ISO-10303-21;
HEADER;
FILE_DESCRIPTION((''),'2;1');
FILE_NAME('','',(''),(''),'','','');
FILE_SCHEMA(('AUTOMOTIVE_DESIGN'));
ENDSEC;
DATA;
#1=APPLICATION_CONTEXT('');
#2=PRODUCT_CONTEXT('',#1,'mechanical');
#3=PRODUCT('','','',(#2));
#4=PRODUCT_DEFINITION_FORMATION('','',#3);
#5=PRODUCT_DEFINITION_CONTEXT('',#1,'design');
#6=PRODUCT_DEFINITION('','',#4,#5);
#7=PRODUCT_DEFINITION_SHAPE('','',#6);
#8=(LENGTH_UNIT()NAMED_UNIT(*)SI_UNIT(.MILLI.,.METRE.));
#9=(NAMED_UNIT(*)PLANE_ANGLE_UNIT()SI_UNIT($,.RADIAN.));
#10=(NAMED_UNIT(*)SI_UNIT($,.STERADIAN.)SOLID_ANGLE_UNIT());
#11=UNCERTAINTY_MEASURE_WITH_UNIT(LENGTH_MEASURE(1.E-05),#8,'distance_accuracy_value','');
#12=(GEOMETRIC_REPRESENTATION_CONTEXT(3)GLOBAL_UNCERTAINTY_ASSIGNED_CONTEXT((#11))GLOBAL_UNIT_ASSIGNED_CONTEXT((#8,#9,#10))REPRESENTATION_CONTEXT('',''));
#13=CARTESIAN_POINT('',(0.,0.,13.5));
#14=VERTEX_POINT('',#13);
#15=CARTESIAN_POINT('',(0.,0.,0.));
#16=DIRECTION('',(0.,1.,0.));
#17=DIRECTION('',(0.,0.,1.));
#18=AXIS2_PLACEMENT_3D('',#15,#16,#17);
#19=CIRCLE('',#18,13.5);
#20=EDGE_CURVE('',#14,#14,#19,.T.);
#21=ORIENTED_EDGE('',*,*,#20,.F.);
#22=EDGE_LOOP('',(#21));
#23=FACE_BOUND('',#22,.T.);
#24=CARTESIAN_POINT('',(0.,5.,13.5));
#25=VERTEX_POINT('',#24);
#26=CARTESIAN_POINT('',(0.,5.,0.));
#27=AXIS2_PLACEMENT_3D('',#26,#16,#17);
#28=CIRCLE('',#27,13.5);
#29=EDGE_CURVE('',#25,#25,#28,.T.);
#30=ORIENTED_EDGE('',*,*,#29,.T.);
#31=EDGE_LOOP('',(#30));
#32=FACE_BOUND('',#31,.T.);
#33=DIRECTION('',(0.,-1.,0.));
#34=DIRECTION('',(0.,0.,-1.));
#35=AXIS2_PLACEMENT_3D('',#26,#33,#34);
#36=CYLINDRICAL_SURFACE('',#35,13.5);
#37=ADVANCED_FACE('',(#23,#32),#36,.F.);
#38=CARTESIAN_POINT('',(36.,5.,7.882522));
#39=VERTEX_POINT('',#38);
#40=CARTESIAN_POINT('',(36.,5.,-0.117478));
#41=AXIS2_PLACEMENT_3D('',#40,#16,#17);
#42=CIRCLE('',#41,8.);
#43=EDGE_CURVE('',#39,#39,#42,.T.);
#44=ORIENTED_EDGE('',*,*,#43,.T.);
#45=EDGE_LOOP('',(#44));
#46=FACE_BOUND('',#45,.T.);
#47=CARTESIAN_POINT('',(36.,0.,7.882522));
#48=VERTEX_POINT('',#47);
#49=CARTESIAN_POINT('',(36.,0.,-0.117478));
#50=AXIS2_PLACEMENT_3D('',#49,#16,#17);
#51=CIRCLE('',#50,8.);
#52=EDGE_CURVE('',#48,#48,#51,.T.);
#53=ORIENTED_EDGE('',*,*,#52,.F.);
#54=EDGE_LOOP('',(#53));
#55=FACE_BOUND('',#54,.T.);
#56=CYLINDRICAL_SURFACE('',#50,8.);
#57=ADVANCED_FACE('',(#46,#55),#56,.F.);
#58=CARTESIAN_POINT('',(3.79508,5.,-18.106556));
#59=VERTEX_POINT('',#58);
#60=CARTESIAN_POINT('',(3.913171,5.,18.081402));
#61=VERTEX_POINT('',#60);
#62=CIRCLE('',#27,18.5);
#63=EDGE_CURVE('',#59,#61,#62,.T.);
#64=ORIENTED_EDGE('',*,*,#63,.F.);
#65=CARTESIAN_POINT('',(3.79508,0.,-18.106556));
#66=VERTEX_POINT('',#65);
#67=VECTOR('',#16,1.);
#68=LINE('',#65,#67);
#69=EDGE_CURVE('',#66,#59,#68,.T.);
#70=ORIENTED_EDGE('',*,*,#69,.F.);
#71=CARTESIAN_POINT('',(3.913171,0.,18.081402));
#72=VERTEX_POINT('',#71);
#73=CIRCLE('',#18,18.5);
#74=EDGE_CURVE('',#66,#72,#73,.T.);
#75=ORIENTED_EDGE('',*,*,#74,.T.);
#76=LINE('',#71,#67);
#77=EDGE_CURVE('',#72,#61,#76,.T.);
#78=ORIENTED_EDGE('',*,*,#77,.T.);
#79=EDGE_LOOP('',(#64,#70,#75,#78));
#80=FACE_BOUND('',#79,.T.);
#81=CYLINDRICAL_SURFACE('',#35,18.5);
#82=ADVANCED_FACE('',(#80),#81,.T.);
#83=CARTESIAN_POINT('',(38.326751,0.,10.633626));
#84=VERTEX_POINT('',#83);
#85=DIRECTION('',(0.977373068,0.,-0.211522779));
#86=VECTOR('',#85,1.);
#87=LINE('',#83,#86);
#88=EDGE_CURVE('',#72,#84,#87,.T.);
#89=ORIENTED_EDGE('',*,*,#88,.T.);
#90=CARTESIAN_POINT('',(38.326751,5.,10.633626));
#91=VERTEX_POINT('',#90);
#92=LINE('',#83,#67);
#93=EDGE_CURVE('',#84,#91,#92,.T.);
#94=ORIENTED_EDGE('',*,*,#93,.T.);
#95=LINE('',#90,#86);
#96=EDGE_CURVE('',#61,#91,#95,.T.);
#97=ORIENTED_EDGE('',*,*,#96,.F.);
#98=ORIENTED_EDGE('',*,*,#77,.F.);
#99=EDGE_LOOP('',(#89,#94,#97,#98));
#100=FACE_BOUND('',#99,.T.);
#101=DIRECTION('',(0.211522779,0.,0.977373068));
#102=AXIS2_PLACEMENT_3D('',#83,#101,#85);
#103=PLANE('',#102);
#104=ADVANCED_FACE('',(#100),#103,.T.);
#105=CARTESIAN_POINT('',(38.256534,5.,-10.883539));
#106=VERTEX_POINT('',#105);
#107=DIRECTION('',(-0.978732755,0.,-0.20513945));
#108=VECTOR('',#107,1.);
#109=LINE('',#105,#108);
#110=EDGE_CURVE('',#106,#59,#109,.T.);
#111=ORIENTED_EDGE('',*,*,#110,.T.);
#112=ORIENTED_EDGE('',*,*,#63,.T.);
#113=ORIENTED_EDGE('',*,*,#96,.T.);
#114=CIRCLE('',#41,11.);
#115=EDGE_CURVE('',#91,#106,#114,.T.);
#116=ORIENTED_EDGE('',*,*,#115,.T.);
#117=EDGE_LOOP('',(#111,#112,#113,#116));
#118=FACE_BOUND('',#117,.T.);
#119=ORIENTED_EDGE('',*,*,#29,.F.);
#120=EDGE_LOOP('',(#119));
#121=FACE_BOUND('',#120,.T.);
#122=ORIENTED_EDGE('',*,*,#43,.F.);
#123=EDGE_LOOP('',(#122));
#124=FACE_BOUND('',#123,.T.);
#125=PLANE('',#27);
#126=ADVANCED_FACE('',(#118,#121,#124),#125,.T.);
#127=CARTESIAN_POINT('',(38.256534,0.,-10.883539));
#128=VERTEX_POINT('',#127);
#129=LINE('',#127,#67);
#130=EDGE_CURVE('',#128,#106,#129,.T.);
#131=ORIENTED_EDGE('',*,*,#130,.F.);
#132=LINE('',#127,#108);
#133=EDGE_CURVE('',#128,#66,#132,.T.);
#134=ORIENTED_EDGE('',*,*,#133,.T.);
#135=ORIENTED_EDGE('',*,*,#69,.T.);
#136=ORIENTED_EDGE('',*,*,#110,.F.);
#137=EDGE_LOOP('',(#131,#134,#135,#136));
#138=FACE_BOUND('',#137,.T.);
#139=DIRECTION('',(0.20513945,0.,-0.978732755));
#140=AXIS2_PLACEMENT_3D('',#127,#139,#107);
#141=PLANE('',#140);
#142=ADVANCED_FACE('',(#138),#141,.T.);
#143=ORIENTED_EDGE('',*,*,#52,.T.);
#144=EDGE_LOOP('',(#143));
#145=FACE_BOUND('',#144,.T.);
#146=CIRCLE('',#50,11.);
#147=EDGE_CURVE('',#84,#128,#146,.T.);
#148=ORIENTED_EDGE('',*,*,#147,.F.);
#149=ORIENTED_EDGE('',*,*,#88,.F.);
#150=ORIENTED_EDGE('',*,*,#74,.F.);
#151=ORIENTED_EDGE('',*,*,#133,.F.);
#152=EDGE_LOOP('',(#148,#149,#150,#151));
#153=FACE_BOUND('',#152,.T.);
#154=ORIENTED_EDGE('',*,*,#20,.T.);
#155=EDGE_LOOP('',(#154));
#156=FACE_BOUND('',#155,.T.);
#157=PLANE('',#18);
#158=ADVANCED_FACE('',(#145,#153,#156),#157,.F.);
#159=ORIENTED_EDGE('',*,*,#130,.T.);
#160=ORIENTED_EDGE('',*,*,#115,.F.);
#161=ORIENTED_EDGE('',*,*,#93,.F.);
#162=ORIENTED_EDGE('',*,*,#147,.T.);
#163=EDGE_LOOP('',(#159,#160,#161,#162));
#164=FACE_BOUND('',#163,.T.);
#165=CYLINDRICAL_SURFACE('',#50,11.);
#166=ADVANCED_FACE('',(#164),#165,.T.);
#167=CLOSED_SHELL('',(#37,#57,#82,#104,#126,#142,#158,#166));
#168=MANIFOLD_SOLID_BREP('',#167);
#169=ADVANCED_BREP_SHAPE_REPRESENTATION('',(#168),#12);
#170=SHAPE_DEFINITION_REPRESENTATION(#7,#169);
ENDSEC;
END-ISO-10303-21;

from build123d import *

# Parameters (mm, degrees)
SKETCH2_R           = 18.5
SKETCH2_R_2         = 13.5
BOSS_EXTRUDE2_DEPTH = 5
BOSS_EXTRUDE3_DEPTH = 5
SKETCH4_R           = 11
BOSS_EXTRUDE4_DEPTH = 5
SKETCH5_R           = 8
CUT_EXTRUDE1_DEPTH  = 5
BOSS_EXTRUDE5_DEPTH = 5
BOSS_EXTRUDE6_DEPTH = 5


with BuildPart() as part:
    # Sketch2 → Boss-Extrude2 (new body)
    with BuildSketch(Plane(origin=(0, 0, 0), x_dir=(1, 0, 0), z_dir=(0, 1, 0))):
        with Locations(Location((0, 0, 0), (0, 0, 270))):
            Circle(SKETCH2_R)
        with Locations(Location((0, 0, 0), (0, 0, 270))):
            Circle(SKETCH2_R_2, mode=Mode.SUBTRACT)
    extrude(amount=BOSS_EXTRUDE2_DEPTH)

    # Sketch3 → Boss-Extrude3 (add)
    with BuildSketch(Plane(origin=(0, 5, 0), x_dir=(1, 0, 0), z_dir=(0, 1, 0))):
        Polygon((25.460427034, 3.126984488), (25.460427034, -2.892028048), (18.27255247, -2.892028048), (18.27255247, 2.892028048), align=None)
    extrude(amount=-BOSS_EXTRUDE3_DEPTH)

    # Sketch4 → Boss-Extrude4 (add)
    with BuildSketch(Plane(origin=(0, 5, 0), x_dir=(1, 0, 0), z_dir=(0, 1, 0))):
        with Locations((36, 0.11747822)):
            Circle(SKETCH4_R)
    extrude(amount=-BOSS_EXTRUDE4_DEPTH)

    # Sketch5 → Cut-Extrude1 (cut)
    with BuildSketch(Plane(origin=(0, 5, 0), x_dir=(1, 0, 0), z_dir=(0, 1, 0))):
        with Locations(Location((36, 0.11747822, 0), (0, 0, 270))):
            Circle(SKETCH5_R)
    extrude(amount=-CUT_EXTRUDE1_DEPTH, mode=Mode.SUBTRACT)

    # Sketch6 → Boss-Extrude5 (add)
    with BuildSketch(Plane(origin=(0, 5, 0), x_dir=(1, 0, 0), z_dir=(0, 1, 0))):
        Polygon((38.256533955, 10.883538526), (3.795079834, 18.106555969), (18.27255247, 2.892028048), (25.419311952, 3.125640523), align=None)
    extrude(amount=-BOSS_EXTRUDE5_DEPTH)

    # Sketch7 → Boss-Extrude6 (add)
    with BuildSketch(Plane(origin=(0, 5, 0), x_dir=(1, 0, 0), z_dir=(0, 1, 0))):
        Polygon((38.32675057, -10.633625527), (3.913171414, -18.081401757), (18.27255247, -2.892028048), (25.419694143, -2.892028048), align=None)
    extrude(amount=-BOSS_EXTRUDE6_DEPTH)


solid = part.part
